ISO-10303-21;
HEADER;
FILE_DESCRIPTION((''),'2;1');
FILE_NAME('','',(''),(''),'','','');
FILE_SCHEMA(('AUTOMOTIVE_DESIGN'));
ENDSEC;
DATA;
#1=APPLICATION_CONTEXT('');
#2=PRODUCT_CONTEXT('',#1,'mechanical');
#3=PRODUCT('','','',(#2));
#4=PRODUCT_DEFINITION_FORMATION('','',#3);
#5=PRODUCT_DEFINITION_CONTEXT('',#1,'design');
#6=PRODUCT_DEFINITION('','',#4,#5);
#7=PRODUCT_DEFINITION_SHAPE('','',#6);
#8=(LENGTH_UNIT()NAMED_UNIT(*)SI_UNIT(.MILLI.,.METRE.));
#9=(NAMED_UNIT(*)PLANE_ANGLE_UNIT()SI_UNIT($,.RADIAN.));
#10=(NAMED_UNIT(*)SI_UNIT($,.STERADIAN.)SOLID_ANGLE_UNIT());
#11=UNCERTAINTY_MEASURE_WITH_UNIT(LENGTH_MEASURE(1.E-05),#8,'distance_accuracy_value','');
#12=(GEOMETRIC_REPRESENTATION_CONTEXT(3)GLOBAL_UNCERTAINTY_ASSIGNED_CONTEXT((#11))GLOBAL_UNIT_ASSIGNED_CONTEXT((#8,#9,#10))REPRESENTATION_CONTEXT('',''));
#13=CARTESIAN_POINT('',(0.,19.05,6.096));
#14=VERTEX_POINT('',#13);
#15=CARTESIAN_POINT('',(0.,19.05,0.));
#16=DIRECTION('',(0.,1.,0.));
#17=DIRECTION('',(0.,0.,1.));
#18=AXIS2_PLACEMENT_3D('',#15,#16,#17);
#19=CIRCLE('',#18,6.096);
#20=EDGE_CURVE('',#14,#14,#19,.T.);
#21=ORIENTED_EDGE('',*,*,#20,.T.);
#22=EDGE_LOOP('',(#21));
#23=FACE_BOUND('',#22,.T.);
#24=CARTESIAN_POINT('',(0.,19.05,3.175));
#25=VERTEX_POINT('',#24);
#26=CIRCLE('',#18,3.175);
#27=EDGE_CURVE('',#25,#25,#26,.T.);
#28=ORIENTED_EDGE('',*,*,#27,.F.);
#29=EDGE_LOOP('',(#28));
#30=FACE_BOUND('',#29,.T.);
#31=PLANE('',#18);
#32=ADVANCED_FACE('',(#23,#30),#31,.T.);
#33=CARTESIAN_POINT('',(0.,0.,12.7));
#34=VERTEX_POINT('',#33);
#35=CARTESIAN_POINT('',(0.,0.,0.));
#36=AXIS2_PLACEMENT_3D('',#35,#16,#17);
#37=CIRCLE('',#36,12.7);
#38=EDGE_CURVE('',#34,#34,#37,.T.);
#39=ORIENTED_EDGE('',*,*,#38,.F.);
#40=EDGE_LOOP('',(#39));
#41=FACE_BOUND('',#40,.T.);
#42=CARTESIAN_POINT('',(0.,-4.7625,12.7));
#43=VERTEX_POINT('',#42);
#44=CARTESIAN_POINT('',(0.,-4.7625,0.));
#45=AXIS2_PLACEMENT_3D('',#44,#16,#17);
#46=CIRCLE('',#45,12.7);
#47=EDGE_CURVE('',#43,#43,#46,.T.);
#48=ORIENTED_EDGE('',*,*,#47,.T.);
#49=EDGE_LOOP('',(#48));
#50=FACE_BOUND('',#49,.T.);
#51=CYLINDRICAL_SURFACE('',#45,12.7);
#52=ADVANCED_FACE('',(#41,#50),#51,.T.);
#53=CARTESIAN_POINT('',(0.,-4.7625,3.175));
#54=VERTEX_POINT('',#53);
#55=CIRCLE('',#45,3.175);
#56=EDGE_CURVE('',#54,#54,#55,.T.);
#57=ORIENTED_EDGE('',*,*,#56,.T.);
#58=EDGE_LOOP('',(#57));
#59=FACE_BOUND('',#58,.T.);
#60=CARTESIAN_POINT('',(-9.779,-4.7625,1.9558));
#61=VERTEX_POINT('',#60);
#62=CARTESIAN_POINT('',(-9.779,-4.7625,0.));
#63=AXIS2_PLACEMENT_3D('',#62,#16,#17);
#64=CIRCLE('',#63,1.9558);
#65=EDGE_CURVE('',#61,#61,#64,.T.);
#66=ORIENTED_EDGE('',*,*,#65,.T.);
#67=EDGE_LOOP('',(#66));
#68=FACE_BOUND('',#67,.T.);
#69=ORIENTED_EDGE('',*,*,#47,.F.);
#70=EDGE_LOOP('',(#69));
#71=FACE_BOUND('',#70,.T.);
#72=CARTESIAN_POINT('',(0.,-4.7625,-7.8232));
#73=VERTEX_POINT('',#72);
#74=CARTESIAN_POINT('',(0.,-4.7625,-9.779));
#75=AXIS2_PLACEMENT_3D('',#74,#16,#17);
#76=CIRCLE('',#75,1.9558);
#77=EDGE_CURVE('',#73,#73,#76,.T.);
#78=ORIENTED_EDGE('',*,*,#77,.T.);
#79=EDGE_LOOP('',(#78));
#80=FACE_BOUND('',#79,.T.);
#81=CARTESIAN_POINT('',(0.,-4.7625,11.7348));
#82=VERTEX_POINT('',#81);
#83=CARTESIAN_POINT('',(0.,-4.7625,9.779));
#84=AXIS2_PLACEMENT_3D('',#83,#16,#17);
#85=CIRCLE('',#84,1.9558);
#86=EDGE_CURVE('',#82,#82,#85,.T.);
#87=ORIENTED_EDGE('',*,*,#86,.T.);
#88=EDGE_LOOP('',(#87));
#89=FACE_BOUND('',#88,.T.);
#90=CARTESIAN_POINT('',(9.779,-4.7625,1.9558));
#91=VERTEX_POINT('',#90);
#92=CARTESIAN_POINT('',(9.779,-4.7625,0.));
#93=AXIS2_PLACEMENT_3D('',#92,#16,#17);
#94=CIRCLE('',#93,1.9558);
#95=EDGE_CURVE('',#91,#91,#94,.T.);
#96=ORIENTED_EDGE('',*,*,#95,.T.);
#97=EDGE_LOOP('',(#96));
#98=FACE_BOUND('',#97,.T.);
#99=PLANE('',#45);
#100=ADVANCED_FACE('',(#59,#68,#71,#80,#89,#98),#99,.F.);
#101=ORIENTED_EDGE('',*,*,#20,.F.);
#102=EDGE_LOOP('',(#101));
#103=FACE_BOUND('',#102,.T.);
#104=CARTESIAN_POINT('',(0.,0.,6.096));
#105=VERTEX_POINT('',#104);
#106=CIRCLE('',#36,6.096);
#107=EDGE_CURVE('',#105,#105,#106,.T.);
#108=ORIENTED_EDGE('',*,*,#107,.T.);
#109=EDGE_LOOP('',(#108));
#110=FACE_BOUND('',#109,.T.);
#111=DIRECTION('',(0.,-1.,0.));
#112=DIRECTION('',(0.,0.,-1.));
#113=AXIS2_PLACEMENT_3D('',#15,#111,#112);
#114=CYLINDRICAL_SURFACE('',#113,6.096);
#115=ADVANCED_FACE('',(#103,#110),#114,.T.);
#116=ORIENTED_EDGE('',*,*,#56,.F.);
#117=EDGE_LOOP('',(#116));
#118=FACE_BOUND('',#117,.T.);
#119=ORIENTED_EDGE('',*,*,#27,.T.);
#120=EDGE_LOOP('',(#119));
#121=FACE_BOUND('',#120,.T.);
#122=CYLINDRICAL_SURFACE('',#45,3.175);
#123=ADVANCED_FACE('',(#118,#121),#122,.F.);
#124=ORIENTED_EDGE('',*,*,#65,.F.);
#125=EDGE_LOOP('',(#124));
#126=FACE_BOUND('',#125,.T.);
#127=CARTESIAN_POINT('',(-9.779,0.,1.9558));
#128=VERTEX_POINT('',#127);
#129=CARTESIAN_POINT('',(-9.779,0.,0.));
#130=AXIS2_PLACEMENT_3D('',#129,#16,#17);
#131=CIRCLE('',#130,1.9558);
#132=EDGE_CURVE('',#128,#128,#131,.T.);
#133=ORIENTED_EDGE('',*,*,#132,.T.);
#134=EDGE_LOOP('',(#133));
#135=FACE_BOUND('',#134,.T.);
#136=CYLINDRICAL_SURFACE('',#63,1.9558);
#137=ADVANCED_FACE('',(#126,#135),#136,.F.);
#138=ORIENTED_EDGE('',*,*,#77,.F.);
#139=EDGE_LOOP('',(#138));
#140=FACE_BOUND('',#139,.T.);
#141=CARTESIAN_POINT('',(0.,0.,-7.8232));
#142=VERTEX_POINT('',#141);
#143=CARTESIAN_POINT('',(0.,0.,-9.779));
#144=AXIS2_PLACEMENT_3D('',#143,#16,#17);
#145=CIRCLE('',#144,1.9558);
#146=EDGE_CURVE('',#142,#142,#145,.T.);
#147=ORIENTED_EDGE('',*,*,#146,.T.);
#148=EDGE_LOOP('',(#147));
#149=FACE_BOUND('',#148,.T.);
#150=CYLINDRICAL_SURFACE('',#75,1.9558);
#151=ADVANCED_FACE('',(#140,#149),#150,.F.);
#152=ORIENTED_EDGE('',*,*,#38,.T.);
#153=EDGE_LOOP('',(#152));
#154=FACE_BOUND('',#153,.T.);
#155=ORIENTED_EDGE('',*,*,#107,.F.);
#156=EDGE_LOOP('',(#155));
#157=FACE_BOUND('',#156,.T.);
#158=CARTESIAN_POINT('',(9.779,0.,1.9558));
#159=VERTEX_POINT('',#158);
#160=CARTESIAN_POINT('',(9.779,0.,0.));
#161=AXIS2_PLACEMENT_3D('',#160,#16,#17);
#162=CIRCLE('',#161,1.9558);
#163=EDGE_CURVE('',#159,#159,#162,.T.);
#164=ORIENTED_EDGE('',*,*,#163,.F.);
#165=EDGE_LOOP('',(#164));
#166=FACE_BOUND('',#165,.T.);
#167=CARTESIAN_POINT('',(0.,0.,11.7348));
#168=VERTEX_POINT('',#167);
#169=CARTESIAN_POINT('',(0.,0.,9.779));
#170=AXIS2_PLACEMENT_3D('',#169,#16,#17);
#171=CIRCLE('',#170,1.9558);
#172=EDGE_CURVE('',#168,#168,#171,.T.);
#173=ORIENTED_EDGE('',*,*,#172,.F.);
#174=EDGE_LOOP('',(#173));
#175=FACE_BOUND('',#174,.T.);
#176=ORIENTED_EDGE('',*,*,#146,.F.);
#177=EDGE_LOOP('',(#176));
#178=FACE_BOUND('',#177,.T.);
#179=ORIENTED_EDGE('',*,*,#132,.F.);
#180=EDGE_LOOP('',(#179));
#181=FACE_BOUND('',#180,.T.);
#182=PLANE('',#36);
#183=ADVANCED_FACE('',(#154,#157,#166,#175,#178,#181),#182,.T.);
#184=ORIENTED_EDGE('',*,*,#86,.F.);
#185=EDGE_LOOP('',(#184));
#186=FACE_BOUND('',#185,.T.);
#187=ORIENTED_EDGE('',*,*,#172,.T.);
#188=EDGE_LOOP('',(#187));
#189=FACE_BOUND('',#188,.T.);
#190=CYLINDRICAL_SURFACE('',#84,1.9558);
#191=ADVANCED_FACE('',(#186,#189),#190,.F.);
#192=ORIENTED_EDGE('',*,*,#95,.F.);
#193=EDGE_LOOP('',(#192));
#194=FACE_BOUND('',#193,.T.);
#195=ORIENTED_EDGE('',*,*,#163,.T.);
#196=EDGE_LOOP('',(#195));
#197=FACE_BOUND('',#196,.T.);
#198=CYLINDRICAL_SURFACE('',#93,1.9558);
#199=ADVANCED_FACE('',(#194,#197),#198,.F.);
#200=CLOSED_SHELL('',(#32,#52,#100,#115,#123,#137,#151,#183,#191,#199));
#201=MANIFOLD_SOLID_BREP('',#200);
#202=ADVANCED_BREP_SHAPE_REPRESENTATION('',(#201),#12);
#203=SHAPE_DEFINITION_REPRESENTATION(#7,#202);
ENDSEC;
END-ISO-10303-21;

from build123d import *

# Parameters (mm, degrees)
SKETCH1_R           = 12.7
SKETCH1_R_2         = 1.9558
SKETCH1_R_3         = 3.175
BOSS_EXTRUDE1_DEPTH = 4.7625
BOSS_EXTRUDE2_START = 19.05
SKETCH1_3_R         = 6.096
SKETCH1_3_R_2       = 3.175
BOSS_EXTRUDE2_DEPTH = 19.05


with BuildPart() as part:
    # Sketch1 → Boss-Extrude1 (new body)
    with BuildSketch(Plane(origin=(0, 0, 0), x_dir=(1, 0, 0), z_dir=(0, 1, 0))):
        Circle(SKETCH1_R)
        with Locations((-9.779, 0)):
            Circle(SKETCH1_R_2, mode=Mode.SUBTRACT)
        with Locations((0, -9.779)):
            Circle(SKETCH1_R_2, mode=Mode.SUBTRACT)
        with Locations((9.779, 0)):
            Circle(SKETCH1_R_2, mode=Mode.SUBTRACT)
        with Locations((0, 9.779)):
            Circle(SKETCH1_R_2, mode=Mode.SUBTRACT)
        Circle(SKETCH1_R_3, mode=Mode.SUBTRACT)
    extrude(amount=-BOSS_EXTRUDE1_DEPTH)

    # Sketch1<3> → Boss-Extrude2 (add)
    with BuildSketch(Plane(origin=(0, 0, 0), x_dir=(1, 0, 0), z_dir=(0, 1, 0)).offset(BOSS_EXTRUDE2_START)):
        Circle(SKETCH1_3_R)
        Circle(SKETCH1_3_R_2, mode=Mode.SUBTRACT)
    extrude(amount=-BOSS_EXTRUDE2_DEPTH)


solid = part.part
